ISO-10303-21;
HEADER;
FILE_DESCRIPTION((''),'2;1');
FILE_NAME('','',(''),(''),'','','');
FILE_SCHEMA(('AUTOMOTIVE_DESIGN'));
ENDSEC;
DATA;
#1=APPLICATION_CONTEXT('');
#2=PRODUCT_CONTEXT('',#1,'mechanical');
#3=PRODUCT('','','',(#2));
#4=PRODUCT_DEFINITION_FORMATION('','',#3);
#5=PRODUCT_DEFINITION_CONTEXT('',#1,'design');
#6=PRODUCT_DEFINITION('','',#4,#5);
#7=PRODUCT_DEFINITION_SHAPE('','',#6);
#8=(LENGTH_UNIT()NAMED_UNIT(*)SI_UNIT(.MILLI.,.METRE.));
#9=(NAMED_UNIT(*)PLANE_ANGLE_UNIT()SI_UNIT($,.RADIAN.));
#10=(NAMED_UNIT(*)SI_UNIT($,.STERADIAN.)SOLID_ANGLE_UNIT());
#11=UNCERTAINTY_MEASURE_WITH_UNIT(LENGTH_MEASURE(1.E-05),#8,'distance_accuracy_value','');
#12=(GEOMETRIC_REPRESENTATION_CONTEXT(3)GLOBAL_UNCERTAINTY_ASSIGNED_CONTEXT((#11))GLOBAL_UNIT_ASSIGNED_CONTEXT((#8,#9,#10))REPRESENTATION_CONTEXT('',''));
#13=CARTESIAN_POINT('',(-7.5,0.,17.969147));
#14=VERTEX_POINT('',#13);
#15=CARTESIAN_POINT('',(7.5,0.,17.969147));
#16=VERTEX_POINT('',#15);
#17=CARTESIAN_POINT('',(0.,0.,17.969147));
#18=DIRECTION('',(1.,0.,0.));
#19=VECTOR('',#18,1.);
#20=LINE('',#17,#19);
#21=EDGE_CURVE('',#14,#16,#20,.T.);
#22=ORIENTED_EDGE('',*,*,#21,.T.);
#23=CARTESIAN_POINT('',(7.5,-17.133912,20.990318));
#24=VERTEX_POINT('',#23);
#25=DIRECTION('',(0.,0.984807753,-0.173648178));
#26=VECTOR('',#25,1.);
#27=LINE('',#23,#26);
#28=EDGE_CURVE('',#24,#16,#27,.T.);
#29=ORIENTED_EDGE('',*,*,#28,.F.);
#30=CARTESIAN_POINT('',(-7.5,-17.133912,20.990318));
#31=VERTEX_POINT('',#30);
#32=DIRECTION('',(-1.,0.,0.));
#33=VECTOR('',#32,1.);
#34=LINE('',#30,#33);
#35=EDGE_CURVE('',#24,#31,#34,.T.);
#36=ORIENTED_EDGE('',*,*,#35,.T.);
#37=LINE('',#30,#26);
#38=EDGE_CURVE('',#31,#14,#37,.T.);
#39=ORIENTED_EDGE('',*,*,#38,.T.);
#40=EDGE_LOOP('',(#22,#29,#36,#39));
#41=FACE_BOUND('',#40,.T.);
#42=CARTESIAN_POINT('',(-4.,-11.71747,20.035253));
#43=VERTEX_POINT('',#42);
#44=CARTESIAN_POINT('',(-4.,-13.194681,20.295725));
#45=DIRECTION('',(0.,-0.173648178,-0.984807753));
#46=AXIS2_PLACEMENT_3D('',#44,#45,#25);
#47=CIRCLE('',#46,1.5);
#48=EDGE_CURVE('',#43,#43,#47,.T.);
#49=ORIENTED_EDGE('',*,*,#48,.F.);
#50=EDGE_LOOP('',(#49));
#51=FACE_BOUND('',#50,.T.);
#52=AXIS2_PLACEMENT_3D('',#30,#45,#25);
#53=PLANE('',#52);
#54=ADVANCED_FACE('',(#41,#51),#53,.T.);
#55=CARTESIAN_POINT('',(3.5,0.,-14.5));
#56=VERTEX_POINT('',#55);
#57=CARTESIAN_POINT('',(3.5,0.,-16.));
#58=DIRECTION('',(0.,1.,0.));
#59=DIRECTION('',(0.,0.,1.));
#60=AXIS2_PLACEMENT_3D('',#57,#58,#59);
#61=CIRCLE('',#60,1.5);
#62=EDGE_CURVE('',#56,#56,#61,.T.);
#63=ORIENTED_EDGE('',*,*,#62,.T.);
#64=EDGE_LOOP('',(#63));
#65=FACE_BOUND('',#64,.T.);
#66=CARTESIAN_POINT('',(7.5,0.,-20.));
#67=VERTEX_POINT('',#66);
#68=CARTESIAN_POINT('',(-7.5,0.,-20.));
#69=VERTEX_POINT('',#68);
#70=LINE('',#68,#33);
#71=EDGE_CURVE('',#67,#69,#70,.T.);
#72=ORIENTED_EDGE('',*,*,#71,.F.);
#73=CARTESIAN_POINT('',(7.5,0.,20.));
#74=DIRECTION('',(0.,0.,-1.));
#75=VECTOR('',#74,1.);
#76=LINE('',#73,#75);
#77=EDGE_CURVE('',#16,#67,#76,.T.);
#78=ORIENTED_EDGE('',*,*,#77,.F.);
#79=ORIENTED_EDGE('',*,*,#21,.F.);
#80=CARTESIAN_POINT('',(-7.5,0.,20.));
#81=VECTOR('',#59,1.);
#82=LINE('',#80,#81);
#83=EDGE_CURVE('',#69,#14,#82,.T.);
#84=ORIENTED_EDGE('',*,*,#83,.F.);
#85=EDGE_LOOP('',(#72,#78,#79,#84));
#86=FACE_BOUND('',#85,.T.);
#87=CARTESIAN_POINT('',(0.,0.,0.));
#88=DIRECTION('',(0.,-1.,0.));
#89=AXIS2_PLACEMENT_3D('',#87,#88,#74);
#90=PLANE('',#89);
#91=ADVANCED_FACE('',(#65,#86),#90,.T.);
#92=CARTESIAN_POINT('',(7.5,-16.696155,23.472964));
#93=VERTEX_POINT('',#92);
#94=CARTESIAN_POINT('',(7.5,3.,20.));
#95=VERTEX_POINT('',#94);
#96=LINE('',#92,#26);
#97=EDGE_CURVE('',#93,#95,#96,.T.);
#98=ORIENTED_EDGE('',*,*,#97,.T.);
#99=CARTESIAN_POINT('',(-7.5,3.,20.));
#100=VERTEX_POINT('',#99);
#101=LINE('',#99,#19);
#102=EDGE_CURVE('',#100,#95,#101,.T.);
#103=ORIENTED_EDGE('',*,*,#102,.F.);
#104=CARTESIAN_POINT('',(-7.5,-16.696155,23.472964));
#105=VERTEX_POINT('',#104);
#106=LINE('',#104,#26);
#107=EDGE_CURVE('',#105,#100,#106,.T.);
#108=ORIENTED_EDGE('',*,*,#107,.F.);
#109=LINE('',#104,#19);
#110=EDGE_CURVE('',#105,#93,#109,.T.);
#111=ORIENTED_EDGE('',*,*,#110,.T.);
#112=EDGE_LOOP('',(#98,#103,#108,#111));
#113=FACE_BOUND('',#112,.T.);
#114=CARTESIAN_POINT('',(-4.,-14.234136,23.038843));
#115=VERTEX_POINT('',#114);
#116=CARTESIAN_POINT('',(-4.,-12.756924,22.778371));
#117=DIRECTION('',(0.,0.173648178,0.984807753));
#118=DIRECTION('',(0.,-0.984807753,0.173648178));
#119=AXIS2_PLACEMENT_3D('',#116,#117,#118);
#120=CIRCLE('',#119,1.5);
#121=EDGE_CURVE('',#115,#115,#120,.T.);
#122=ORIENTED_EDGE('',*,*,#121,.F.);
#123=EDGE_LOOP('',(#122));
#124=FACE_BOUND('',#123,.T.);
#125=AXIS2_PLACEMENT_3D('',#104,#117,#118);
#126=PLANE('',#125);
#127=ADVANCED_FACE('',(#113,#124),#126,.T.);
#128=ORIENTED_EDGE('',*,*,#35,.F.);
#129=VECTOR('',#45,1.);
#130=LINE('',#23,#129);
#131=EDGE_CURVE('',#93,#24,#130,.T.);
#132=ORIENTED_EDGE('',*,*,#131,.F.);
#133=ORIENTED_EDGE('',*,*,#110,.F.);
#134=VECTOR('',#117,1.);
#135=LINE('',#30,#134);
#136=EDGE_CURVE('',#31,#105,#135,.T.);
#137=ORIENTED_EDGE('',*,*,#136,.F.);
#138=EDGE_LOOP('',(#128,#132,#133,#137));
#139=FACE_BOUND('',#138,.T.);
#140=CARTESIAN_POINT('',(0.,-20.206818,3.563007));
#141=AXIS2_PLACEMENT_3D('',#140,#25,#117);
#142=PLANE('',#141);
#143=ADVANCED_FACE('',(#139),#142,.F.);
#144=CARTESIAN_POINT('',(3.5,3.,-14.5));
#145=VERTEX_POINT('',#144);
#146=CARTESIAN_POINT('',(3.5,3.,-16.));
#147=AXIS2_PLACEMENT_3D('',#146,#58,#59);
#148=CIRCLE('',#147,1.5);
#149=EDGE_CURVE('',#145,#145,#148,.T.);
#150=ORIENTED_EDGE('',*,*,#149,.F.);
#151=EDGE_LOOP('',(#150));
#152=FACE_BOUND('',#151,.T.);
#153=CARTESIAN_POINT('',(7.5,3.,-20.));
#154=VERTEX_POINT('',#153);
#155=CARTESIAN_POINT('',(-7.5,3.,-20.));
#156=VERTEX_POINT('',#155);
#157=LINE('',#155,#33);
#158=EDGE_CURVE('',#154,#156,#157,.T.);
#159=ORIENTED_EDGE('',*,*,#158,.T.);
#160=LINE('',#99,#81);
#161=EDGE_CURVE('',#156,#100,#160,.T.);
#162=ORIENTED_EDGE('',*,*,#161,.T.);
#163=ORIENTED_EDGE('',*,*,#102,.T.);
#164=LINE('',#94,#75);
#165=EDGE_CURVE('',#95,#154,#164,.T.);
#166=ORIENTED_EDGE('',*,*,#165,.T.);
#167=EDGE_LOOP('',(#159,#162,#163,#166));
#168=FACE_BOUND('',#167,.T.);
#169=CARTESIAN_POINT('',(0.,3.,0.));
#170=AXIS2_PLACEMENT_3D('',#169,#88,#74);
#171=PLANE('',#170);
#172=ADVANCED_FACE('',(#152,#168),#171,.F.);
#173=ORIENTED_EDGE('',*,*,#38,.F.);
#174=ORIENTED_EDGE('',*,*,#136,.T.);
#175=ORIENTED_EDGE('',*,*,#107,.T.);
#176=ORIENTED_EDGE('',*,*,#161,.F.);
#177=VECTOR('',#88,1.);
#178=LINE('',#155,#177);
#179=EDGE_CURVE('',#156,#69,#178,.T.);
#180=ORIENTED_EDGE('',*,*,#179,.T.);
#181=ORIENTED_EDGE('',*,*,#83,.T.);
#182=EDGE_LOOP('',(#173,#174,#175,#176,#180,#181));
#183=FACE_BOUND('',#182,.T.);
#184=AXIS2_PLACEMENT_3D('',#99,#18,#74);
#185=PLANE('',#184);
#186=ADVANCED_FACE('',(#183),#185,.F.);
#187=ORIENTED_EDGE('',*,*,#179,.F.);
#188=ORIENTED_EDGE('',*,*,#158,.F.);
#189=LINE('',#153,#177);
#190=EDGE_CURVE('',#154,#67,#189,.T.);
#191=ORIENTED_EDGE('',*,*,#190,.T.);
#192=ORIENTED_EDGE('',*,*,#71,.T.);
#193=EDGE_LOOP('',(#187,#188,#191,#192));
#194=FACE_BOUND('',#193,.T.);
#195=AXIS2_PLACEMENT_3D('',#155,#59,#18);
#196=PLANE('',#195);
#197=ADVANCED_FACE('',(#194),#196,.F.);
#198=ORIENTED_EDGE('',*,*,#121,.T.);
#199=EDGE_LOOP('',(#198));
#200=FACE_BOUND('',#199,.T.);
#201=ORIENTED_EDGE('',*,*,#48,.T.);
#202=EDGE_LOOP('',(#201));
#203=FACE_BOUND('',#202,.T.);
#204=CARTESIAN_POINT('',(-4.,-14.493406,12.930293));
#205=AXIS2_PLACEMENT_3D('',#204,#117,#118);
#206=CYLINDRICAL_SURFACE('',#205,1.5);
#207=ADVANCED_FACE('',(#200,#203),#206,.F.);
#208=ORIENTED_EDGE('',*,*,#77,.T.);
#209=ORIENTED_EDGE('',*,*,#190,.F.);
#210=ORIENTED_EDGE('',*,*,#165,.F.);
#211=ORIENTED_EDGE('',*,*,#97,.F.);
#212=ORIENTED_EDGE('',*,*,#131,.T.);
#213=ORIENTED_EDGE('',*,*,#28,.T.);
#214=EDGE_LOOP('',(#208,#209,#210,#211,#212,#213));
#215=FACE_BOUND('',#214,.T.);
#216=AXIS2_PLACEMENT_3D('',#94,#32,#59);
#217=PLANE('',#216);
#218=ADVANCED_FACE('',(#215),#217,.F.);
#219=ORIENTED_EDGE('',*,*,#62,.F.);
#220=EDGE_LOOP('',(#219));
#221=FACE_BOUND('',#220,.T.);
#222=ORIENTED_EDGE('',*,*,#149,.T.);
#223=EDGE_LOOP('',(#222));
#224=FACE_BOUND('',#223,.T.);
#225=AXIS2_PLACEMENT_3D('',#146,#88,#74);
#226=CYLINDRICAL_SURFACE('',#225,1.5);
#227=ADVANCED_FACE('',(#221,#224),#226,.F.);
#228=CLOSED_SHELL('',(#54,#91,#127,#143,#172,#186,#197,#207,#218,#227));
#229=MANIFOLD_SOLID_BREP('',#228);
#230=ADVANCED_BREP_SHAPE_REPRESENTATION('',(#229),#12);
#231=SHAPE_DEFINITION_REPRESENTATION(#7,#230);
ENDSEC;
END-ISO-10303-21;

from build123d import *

# Parameters (mm, degrees)
SKETCH1_W           = 15
SKETCH1_H           = 40
SKETCH1_R           = 1.5
BOSS_EXTRUDE1_DEPTH = 3
SKETCH2_W           = 15
SKETCH2_H           = 2.520944533
BOSS_EXTRUDE2_DEPTH = 20
SKETCH3_R           = 1.5
CUT_EXTRUDE1_DEPTH  = 10


with BuildPart() as part:
    # Sketch1 → Boss-Extrude1 (new body)
    with BuildSketch(Plane(origin=(0, 0, 0), x_dir=(1, 0, 0), z_dir=(0, 1, 0))):
        Rectangle(SKETCH1_W, SKETCH1_H)
        with Locations(Location((3.5, 16, 0), (0, 0, 270))):
            Circle(SKETCH1_R, mode=Mode.SUBTRACT)
    extrude(amount=BOSS_EXTRUDE1_DEPTH)

    # Sketch2 → Boss-Extrude2 (add)
    with BuildSketch(Plane(origin=(0, -0.510662502, 0.090043577), x_dir=(1, 0, 0), z_dir=(0, 0.9848077530122075, -0.17364817766693402))):
        with Locations((0, -18.956627327)):
            Rectangle(SKETCH2_W, SKETCH2_H)
    extrude(amount=-BOSS_EXTRUDE2_DEPTH)

    # Sketch3 → Cut-Extrude1 (cut)
    with BuildSketch(Plane(origin=(0, 3.510662502, 19.909956423), x_dir=(1, 0, 0), z_dir=(0, 0.173648177666934, 0.9848077530122075))):
        with Locations(Location((-4, -16.518540294, 0), (0, 0, 270))):
            Circle(SKETCH3_R)
    extrude(amount=-CUT_EXTRUDE1_DEPTH, mode=Mode.SUBTRACT)


solid = part.part
